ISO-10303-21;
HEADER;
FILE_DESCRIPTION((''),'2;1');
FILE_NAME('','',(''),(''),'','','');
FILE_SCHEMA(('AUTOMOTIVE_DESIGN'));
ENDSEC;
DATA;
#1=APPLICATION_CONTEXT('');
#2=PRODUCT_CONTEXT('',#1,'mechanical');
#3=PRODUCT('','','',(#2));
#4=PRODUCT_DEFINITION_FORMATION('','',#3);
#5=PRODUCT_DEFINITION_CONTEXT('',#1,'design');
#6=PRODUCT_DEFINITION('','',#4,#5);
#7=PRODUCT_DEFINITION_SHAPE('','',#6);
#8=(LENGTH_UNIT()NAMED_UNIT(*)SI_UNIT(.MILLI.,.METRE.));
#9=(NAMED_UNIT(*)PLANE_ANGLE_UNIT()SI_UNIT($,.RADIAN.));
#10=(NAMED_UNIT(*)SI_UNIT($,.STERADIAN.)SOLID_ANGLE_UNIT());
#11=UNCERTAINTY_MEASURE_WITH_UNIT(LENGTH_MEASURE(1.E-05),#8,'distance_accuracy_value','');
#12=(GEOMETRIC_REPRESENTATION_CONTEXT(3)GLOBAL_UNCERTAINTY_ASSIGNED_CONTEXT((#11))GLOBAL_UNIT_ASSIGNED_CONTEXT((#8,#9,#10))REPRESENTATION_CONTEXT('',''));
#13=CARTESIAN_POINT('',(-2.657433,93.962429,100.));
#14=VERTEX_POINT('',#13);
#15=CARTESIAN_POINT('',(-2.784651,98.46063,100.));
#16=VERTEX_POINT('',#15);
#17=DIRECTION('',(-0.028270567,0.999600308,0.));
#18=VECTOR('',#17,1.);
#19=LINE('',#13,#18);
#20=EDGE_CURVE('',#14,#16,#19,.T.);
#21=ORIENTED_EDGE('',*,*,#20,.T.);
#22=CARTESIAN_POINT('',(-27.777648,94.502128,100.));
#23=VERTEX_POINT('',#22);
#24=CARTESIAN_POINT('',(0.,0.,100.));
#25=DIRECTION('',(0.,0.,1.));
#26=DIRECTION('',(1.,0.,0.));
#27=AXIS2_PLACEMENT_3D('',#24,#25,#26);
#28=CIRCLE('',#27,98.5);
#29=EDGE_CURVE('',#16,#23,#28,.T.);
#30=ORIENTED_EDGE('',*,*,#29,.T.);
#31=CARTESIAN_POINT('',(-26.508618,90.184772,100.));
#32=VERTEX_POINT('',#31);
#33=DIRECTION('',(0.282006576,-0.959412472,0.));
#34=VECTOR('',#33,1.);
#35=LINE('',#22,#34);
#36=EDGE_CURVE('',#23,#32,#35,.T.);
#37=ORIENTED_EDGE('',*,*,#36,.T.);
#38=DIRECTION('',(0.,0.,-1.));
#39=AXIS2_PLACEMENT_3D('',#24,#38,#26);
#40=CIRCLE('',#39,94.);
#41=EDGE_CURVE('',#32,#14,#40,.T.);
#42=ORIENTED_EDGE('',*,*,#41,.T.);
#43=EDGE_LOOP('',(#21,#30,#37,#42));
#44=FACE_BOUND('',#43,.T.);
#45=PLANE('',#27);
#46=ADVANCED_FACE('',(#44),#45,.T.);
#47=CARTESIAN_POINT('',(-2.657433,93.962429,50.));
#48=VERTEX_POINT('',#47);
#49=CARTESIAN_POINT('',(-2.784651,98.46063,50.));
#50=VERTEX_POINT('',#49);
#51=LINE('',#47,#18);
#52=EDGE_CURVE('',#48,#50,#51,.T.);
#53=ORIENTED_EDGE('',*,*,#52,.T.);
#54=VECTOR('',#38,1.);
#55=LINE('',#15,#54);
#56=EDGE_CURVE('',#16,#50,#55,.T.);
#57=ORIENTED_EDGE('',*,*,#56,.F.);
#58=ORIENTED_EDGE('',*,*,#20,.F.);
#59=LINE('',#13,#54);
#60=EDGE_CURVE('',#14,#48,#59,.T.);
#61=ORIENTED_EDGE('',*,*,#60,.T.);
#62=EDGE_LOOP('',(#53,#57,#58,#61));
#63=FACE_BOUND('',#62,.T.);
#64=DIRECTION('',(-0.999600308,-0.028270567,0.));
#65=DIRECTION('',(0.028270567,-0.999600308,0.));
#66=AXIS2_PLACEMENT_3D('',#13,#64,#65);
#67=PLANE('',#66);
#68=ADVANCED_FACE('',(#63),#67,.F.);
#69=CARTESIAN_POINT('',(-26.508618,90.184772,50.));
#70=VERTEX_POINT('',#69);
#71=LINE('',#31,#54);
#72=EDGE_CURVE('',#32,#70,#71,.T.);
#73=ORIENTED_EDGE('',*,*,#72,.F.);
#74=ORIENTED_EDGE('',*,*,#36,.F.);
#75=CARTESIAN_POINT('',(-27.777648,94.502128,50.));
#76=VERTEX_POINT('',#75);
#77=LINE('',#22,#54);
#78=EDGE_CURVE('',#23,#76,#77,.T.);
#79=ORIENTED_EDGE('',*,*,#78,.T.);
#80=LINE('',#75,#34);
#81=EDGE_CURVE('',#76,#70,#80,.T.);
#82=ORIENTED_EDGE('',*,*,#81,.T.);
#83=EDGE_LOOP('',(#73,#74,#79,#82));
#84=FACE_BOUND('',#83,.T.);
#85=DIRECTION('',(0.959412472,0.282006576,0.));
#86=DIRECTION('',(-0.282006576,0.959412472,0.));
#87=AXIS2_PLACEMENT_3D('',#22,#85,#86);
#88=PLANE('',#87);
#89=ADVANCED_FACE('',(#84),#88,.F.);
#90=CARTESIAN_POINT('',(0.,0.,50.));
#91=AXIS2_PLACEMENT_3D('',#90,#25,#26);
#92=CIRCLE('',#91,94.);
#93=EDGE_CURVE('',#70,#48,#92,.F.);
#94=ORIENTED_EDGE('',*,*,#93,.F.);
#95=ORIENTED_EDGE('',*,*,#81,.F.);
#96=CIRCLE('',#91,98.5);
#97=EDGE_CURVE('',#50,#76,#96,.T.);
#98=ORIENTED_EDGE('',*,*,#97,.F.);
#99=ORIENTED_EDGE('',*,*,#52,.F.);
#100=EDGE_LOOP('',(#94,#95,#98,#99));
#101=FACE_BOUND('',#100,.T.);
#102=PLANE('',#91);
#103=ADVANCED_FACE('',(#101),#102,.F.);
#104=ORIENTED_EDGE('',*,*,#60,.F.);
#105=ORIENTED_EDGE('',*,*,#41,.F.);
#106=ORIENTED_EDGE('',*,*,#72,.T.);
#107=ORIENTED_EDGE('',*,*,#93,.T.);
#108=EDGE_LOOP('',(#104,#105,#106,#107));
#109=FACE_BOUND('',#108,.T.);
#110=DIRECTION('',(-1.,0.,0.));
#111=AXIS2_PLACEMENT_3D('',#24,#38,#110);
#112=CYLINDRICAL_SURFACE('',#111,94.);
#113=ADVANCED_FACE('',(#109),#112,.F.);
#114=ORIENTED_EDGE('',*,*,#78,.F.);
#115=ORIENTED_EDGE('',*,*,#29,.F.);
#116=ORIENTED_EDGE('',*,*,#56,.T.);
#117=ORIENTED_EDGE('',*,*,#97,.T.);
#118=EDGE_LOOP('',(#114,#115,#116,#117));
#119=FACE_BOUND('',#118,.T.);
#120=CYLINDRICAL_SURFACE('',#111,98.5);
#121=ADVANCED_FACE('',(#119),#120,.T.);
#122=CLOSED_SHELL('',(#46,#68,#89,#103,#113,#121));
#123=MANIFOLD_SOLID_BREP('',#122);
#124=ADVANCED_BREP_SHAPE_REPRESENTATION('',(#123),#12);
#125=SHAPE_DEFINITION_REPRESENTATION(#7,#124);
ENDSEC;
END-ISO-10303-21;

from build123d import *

# Parameters (mm, degrees)
Y_KSEKLIK_EKSTR_ZYON1_DEPTH = 100


with BuildPart() as part:
    # Model → Yükseklik-Ekstrüzyon1 (new body)
    with BuildSketch(Plane.XY):
        with BuildLine():
            Line((-27.777647726, 94.502128478), (-26.508618135, 90.184772354))
            ThreePointArc((-26.508618135, 90.184772354), (-14.704839714, 92.842704016), (-2.657433276, 93.962428919))
            Line((-2.657433276, 93.962428919), (-2.784650827, 98.460630304))
            ThreePointArc((-2.784650827, 98.460630304), (-15.408794806, 97.287301549), (-27.777647726, 94.502128478))
        make_face()
    extrude(amount=Y_KSEKLIK_EKSTR_ZYON1_DEPTH)


with BuildPart() as body_2:
    # Ayır1: the piece on the far side of the plane
    add(part.part)
    split(bisect_by=Plane.XY.offset(50), keep=Keep.BOTTOM)


with BuildPart() as part_1:
    add(part.part)

    # Ayır1
    split(bisect_by=Plane.XY.offset(50), keep=Keep.TOP)


solid = part_1.part
